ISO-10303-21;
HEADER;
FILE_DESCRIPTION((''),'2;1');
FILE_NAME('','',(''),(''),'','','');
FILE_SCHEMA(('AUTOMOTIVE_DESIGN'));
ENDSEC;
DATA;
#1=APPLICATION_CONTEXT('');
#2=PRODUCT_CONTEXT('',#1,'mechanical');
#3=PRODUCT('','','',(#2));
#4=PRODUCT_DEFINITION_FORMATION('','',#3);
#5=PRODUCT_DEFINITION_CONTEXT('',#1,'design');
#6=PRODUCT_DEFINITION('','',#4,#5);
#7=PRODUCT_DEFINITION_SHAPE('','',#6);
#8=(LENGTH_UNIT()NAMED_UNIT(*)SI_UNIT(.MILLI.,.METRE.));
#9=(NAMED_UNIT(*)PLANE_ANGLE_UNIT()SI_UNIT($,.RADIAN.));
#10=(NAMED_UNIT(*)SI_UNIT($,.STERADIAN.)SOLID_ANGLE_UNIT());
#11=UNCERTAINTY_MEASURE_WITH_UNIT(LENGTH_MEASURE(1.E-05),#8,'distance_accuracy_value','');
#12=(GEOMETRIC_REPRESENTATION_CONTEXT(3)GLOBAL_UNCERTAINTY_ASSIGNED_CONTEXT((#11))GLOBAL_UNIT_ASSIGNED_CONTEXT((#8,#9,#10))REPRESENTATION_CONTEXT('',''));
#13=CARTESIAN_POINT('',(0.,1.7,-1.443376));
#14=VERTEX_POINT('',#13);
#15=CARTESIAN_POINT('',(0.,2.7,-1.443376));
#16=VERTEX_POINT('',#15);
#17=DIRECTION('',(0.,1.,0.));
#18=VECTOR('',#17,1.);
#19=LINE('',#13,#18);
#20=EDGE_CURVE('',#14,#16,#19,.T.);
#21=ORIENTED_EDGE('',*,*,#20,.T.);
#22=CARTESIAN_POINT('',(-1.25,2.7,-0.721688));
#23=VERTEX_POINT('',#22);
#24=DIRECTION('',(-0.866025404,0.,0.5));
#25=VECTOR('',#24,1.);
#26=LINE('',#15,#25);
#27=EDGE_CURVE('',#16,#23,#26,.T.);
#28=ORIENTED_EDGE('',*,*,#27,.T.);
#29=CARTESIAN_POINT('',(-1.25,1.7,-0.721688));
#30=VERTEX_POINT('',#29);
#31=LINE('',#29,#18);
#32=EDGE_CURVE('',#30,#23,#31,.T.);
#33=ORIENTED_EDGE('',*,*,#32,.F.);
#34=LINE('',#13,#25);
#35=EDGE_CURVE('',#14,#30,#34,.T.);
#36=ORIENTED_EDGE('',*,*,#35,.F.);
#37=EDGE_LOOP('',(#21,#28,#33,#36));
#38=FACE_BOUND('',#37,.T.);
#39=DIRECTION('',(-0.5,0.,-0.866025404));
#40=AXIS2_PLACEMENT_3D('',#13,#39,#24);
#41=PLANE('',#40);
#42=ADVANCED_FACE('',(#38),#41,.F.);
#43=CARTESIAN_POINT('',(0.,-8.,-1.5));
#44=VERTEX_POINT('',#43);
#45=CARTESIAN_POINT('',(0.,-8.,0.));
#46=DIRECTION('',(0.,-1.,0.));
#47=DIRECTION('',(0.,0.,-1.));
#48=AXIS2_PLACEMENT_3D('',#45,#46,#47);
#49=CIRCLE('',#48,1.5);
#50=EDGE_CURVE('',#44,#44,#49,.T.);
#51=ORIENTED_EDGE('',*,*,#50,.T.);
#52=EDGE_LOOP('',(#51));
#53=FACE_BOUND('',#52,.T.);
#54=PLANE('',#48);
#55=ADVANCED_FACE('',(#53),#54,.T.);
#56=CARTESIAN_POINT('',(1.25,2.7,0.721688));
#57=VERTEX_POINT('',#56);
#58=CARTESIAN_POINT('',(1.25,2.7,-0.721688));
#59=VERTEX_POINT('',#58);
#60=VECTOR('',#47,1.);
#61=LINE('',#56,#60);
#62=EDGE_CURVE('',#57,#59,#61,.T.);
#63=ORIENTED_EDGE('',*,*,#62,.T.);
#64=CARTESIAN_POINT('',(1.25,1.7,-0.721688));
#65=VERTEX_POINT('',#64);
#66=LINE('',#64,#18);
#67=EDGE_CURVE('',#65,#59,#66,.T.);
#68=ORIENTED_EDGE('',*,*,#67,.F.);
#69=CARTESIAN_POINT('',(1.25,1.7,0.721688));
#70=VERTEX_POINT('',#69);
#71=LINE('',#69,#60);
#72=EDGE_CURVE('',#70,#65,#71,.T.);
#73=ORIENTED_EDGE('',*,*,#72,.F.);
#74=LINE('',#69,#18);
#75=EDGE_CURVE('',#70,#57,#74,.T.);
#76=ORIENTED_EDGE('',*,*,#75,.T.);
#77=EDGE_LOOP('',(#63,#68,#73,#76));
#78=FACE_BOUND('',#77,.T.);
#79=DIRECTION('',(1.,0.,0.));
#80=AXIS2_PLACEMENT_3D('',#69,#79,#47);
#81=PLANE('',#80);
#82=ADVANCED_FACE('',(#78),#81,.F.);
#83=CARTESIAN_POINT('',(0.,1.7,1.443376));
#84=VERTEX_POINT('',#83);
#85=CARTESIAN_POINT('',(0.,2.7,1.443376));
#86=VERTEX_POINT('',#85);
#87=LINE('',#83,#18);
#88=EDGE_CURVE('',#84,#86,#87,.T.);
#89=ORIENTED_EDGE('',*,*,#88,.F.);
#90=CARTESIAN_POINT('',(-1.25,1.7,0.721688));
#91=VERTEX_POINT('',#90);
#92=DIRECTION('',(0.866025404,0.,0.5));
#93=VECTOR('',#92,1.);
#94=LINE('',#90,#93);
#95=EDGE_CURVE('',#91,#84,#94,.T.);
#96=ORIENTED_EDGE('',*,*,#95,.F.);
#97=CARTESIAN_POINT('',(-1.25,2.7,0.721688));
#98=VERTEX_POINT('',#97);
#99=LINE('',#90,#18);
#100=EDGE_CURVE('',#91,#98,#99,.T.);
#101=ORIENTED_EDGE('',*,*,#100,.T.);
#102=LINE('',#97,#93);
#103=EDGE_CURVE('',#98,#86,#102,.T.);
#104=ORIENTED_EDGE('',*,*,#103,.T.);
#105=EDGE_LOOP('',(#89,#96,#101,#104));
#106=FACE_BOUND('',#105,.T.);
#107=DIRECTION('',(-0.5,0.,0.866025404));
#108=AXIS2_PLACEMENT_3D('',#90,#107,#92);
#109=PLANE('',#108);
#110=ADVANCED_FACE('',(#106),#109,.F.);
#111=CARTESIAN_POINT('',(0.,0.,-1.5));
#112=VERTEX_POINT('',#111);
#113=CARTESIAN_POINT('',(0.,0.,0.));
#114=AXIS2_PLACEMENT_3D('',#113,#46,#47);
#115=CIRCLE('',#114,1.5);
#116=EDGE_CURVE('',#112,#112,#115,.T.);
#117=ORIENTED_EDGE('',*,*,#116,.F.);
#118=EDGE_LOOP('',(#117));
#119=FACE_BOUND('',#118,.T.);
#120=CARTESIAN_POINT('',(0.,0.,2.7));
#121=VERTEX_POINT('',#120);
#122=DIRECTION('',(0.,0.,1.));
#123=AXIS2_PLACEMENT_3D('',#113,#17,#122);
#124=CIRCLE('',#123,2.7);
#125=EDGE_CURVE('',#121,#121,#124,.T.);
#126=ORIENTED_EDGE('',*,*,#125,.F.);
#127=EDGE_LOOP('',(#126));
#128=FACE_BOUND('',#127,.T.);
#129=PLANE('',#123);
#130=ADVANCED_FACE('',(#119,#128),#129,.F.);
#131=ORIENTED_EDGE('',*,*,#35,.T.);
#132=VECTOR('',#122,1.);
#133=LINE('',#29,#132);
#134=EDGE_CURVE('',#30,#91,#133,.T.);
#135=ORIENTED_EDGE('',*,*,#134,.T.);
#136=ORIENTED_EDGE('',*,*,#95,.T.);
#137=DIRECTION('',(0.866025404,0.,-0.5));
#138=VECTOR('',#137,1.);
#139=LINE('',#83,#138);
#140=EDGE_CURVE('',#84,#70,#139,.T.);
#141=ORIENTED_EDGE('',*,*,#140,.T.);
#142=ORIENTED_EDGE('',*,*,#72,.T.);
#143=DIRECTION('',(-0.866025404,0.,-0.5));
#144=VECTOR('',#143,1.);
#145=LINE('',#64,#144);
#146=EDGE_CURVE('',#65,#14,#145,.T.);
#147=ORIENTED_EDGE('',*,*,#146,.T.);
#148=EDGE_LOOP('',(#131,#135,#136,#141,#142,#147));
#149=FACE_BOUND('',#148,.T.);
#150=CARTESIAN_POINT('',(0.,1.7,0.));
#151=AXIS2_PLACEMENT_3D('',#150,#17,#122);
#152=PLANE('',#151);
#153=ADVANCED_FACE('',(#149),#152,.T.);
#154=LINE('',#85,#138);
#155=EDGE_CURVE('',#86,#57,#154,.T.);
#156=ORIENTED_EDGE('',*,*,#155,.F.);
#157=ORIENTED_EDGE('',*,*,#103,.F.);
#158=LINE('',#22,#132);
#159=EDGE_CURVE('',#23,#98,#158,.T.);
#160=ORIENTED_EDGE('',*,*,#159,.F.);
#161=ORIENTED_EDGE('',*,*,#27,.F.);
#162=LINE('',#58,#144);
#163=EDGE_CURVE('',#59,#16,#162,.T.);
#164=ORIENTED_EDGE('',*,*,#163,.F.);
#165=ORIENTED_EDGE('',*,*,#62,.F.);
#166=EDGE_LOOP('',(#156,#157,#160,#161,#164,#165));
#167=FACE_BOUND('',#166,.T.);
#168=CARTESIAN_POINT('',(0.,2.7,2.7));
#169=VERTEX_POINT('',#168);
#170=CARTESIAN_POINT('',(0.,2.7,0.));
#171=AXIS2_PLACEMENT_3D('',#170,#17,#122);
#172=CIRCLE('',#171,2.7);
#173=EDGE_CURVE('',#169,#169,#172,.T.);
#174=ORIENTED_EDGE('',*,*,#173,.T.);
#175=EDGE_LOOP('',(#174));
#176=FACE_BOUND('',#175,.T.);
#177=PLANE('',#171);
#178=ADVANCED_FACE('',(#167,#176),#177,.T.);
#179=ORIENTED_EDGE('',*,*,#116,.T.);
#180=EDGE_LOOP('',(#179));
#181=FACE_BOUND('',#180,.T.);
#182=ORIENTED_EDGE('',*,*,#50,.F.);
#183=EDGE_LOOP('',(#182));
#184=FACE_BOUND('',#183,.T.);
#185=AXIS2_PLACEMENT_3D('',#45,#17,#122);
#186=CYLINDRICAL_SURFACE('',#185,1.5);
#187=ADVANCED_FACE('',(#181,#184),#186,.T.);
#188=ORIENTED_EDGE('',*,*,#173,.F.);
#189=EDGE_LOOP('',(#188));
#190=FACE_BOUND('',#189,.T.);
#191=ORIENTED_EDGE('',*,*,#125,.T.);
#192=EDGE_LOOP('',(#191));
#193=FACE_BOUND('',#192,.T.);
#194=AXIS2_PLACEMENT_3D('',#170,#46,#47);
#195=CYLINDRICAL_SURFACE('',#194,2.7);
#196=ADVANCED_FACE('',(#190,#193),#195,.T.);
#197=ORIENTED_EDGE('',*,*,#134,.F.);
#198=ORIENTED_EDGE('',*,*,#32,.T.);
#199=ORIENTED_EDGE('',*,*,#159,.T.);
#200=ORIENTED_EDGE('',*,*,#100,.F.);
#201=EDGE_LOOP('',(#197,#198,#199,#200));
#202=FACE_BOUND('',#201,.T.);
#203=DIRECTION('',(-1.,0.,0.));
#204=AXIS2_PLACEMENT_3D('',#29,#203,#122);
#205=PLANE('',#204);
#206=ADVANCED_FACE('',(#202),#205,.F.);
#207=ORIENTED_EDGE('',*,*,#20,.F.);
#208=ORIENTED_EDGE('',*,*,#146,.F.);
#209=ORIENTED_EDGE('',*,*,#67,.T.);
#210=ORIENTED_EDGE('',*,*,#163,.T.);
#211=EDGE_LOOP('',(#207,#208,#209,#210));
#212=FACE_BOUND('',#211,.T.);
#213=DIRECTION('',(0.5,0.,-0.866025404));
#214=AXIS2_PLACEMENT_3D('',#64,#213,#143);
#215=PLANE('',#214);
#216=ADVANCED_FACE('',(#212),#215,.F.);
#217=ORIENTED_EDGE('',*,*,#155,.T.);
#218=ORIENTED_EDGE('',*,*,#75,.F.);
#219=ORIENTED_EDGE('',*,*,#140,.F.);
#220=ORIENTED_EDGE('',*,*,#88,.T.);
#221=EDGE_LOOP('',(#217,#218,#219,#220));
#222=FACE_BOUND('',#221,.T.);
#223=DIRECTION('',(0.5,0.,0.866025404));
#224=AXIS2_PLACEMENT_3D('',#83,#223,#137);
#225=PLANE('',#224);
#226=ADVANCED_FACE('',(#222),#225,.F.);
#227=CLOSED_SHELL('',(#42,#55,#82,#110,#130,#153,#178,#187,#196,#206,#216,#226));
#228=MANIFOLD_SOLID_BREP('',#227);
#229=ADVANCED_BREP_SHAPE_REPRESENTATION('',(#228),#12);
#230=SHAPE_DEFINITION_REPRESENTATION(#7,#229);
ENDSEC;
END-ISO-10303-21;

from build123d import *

# Parameters (mm, degrees)
SKETCH1_R           = 2.7
BOSS_EXTRUDE1_DEPTH = 2.7
CUT_EXTRUDE1_DEPTH  = 1
SKETCH3_R           = 1.5
BOSS_EXTRUDE2_DEPTH = 8


with BuildPart() as part:
    # Sketch1 → Boss-Extrude1 (new body)
    with BuildSketch(Plane(origin=(0, 0, 0), x_dir=(1, 0, 0), z_dir=(0, 1, 0))):
        Circle(SKETCH1_R)
    extrude(amount=BOSS_EXTRUDE1_DEPTH)

    # Sketch2 → Cut-Extrude1 (cut)
    with BuildSketch(Plane(origin=(0, 2.7, 0), x_dir=(1, 0, 0), z_dir=(0, 1, 0))):
        Polygon((0, 1.443375673), (-1.25, 0.721687836), (-1.25, -0.721687836), (0, -1.443375673), (1.25, -0.721687836), (1.25, 0.721687836), align=None)
    extrude(amount=-CUT_EXTRUDE1_DEPTH, mode=Mode.SUBTRACT)

    # Sketch3 → Boss-Extrude2 (add)
    with BuildSketch(Plane.XZ):
        Circle(SKETCH3_R)
    extrude(amount=BOSS_EXTRUDE2_DEPTH)


solid = part.part
